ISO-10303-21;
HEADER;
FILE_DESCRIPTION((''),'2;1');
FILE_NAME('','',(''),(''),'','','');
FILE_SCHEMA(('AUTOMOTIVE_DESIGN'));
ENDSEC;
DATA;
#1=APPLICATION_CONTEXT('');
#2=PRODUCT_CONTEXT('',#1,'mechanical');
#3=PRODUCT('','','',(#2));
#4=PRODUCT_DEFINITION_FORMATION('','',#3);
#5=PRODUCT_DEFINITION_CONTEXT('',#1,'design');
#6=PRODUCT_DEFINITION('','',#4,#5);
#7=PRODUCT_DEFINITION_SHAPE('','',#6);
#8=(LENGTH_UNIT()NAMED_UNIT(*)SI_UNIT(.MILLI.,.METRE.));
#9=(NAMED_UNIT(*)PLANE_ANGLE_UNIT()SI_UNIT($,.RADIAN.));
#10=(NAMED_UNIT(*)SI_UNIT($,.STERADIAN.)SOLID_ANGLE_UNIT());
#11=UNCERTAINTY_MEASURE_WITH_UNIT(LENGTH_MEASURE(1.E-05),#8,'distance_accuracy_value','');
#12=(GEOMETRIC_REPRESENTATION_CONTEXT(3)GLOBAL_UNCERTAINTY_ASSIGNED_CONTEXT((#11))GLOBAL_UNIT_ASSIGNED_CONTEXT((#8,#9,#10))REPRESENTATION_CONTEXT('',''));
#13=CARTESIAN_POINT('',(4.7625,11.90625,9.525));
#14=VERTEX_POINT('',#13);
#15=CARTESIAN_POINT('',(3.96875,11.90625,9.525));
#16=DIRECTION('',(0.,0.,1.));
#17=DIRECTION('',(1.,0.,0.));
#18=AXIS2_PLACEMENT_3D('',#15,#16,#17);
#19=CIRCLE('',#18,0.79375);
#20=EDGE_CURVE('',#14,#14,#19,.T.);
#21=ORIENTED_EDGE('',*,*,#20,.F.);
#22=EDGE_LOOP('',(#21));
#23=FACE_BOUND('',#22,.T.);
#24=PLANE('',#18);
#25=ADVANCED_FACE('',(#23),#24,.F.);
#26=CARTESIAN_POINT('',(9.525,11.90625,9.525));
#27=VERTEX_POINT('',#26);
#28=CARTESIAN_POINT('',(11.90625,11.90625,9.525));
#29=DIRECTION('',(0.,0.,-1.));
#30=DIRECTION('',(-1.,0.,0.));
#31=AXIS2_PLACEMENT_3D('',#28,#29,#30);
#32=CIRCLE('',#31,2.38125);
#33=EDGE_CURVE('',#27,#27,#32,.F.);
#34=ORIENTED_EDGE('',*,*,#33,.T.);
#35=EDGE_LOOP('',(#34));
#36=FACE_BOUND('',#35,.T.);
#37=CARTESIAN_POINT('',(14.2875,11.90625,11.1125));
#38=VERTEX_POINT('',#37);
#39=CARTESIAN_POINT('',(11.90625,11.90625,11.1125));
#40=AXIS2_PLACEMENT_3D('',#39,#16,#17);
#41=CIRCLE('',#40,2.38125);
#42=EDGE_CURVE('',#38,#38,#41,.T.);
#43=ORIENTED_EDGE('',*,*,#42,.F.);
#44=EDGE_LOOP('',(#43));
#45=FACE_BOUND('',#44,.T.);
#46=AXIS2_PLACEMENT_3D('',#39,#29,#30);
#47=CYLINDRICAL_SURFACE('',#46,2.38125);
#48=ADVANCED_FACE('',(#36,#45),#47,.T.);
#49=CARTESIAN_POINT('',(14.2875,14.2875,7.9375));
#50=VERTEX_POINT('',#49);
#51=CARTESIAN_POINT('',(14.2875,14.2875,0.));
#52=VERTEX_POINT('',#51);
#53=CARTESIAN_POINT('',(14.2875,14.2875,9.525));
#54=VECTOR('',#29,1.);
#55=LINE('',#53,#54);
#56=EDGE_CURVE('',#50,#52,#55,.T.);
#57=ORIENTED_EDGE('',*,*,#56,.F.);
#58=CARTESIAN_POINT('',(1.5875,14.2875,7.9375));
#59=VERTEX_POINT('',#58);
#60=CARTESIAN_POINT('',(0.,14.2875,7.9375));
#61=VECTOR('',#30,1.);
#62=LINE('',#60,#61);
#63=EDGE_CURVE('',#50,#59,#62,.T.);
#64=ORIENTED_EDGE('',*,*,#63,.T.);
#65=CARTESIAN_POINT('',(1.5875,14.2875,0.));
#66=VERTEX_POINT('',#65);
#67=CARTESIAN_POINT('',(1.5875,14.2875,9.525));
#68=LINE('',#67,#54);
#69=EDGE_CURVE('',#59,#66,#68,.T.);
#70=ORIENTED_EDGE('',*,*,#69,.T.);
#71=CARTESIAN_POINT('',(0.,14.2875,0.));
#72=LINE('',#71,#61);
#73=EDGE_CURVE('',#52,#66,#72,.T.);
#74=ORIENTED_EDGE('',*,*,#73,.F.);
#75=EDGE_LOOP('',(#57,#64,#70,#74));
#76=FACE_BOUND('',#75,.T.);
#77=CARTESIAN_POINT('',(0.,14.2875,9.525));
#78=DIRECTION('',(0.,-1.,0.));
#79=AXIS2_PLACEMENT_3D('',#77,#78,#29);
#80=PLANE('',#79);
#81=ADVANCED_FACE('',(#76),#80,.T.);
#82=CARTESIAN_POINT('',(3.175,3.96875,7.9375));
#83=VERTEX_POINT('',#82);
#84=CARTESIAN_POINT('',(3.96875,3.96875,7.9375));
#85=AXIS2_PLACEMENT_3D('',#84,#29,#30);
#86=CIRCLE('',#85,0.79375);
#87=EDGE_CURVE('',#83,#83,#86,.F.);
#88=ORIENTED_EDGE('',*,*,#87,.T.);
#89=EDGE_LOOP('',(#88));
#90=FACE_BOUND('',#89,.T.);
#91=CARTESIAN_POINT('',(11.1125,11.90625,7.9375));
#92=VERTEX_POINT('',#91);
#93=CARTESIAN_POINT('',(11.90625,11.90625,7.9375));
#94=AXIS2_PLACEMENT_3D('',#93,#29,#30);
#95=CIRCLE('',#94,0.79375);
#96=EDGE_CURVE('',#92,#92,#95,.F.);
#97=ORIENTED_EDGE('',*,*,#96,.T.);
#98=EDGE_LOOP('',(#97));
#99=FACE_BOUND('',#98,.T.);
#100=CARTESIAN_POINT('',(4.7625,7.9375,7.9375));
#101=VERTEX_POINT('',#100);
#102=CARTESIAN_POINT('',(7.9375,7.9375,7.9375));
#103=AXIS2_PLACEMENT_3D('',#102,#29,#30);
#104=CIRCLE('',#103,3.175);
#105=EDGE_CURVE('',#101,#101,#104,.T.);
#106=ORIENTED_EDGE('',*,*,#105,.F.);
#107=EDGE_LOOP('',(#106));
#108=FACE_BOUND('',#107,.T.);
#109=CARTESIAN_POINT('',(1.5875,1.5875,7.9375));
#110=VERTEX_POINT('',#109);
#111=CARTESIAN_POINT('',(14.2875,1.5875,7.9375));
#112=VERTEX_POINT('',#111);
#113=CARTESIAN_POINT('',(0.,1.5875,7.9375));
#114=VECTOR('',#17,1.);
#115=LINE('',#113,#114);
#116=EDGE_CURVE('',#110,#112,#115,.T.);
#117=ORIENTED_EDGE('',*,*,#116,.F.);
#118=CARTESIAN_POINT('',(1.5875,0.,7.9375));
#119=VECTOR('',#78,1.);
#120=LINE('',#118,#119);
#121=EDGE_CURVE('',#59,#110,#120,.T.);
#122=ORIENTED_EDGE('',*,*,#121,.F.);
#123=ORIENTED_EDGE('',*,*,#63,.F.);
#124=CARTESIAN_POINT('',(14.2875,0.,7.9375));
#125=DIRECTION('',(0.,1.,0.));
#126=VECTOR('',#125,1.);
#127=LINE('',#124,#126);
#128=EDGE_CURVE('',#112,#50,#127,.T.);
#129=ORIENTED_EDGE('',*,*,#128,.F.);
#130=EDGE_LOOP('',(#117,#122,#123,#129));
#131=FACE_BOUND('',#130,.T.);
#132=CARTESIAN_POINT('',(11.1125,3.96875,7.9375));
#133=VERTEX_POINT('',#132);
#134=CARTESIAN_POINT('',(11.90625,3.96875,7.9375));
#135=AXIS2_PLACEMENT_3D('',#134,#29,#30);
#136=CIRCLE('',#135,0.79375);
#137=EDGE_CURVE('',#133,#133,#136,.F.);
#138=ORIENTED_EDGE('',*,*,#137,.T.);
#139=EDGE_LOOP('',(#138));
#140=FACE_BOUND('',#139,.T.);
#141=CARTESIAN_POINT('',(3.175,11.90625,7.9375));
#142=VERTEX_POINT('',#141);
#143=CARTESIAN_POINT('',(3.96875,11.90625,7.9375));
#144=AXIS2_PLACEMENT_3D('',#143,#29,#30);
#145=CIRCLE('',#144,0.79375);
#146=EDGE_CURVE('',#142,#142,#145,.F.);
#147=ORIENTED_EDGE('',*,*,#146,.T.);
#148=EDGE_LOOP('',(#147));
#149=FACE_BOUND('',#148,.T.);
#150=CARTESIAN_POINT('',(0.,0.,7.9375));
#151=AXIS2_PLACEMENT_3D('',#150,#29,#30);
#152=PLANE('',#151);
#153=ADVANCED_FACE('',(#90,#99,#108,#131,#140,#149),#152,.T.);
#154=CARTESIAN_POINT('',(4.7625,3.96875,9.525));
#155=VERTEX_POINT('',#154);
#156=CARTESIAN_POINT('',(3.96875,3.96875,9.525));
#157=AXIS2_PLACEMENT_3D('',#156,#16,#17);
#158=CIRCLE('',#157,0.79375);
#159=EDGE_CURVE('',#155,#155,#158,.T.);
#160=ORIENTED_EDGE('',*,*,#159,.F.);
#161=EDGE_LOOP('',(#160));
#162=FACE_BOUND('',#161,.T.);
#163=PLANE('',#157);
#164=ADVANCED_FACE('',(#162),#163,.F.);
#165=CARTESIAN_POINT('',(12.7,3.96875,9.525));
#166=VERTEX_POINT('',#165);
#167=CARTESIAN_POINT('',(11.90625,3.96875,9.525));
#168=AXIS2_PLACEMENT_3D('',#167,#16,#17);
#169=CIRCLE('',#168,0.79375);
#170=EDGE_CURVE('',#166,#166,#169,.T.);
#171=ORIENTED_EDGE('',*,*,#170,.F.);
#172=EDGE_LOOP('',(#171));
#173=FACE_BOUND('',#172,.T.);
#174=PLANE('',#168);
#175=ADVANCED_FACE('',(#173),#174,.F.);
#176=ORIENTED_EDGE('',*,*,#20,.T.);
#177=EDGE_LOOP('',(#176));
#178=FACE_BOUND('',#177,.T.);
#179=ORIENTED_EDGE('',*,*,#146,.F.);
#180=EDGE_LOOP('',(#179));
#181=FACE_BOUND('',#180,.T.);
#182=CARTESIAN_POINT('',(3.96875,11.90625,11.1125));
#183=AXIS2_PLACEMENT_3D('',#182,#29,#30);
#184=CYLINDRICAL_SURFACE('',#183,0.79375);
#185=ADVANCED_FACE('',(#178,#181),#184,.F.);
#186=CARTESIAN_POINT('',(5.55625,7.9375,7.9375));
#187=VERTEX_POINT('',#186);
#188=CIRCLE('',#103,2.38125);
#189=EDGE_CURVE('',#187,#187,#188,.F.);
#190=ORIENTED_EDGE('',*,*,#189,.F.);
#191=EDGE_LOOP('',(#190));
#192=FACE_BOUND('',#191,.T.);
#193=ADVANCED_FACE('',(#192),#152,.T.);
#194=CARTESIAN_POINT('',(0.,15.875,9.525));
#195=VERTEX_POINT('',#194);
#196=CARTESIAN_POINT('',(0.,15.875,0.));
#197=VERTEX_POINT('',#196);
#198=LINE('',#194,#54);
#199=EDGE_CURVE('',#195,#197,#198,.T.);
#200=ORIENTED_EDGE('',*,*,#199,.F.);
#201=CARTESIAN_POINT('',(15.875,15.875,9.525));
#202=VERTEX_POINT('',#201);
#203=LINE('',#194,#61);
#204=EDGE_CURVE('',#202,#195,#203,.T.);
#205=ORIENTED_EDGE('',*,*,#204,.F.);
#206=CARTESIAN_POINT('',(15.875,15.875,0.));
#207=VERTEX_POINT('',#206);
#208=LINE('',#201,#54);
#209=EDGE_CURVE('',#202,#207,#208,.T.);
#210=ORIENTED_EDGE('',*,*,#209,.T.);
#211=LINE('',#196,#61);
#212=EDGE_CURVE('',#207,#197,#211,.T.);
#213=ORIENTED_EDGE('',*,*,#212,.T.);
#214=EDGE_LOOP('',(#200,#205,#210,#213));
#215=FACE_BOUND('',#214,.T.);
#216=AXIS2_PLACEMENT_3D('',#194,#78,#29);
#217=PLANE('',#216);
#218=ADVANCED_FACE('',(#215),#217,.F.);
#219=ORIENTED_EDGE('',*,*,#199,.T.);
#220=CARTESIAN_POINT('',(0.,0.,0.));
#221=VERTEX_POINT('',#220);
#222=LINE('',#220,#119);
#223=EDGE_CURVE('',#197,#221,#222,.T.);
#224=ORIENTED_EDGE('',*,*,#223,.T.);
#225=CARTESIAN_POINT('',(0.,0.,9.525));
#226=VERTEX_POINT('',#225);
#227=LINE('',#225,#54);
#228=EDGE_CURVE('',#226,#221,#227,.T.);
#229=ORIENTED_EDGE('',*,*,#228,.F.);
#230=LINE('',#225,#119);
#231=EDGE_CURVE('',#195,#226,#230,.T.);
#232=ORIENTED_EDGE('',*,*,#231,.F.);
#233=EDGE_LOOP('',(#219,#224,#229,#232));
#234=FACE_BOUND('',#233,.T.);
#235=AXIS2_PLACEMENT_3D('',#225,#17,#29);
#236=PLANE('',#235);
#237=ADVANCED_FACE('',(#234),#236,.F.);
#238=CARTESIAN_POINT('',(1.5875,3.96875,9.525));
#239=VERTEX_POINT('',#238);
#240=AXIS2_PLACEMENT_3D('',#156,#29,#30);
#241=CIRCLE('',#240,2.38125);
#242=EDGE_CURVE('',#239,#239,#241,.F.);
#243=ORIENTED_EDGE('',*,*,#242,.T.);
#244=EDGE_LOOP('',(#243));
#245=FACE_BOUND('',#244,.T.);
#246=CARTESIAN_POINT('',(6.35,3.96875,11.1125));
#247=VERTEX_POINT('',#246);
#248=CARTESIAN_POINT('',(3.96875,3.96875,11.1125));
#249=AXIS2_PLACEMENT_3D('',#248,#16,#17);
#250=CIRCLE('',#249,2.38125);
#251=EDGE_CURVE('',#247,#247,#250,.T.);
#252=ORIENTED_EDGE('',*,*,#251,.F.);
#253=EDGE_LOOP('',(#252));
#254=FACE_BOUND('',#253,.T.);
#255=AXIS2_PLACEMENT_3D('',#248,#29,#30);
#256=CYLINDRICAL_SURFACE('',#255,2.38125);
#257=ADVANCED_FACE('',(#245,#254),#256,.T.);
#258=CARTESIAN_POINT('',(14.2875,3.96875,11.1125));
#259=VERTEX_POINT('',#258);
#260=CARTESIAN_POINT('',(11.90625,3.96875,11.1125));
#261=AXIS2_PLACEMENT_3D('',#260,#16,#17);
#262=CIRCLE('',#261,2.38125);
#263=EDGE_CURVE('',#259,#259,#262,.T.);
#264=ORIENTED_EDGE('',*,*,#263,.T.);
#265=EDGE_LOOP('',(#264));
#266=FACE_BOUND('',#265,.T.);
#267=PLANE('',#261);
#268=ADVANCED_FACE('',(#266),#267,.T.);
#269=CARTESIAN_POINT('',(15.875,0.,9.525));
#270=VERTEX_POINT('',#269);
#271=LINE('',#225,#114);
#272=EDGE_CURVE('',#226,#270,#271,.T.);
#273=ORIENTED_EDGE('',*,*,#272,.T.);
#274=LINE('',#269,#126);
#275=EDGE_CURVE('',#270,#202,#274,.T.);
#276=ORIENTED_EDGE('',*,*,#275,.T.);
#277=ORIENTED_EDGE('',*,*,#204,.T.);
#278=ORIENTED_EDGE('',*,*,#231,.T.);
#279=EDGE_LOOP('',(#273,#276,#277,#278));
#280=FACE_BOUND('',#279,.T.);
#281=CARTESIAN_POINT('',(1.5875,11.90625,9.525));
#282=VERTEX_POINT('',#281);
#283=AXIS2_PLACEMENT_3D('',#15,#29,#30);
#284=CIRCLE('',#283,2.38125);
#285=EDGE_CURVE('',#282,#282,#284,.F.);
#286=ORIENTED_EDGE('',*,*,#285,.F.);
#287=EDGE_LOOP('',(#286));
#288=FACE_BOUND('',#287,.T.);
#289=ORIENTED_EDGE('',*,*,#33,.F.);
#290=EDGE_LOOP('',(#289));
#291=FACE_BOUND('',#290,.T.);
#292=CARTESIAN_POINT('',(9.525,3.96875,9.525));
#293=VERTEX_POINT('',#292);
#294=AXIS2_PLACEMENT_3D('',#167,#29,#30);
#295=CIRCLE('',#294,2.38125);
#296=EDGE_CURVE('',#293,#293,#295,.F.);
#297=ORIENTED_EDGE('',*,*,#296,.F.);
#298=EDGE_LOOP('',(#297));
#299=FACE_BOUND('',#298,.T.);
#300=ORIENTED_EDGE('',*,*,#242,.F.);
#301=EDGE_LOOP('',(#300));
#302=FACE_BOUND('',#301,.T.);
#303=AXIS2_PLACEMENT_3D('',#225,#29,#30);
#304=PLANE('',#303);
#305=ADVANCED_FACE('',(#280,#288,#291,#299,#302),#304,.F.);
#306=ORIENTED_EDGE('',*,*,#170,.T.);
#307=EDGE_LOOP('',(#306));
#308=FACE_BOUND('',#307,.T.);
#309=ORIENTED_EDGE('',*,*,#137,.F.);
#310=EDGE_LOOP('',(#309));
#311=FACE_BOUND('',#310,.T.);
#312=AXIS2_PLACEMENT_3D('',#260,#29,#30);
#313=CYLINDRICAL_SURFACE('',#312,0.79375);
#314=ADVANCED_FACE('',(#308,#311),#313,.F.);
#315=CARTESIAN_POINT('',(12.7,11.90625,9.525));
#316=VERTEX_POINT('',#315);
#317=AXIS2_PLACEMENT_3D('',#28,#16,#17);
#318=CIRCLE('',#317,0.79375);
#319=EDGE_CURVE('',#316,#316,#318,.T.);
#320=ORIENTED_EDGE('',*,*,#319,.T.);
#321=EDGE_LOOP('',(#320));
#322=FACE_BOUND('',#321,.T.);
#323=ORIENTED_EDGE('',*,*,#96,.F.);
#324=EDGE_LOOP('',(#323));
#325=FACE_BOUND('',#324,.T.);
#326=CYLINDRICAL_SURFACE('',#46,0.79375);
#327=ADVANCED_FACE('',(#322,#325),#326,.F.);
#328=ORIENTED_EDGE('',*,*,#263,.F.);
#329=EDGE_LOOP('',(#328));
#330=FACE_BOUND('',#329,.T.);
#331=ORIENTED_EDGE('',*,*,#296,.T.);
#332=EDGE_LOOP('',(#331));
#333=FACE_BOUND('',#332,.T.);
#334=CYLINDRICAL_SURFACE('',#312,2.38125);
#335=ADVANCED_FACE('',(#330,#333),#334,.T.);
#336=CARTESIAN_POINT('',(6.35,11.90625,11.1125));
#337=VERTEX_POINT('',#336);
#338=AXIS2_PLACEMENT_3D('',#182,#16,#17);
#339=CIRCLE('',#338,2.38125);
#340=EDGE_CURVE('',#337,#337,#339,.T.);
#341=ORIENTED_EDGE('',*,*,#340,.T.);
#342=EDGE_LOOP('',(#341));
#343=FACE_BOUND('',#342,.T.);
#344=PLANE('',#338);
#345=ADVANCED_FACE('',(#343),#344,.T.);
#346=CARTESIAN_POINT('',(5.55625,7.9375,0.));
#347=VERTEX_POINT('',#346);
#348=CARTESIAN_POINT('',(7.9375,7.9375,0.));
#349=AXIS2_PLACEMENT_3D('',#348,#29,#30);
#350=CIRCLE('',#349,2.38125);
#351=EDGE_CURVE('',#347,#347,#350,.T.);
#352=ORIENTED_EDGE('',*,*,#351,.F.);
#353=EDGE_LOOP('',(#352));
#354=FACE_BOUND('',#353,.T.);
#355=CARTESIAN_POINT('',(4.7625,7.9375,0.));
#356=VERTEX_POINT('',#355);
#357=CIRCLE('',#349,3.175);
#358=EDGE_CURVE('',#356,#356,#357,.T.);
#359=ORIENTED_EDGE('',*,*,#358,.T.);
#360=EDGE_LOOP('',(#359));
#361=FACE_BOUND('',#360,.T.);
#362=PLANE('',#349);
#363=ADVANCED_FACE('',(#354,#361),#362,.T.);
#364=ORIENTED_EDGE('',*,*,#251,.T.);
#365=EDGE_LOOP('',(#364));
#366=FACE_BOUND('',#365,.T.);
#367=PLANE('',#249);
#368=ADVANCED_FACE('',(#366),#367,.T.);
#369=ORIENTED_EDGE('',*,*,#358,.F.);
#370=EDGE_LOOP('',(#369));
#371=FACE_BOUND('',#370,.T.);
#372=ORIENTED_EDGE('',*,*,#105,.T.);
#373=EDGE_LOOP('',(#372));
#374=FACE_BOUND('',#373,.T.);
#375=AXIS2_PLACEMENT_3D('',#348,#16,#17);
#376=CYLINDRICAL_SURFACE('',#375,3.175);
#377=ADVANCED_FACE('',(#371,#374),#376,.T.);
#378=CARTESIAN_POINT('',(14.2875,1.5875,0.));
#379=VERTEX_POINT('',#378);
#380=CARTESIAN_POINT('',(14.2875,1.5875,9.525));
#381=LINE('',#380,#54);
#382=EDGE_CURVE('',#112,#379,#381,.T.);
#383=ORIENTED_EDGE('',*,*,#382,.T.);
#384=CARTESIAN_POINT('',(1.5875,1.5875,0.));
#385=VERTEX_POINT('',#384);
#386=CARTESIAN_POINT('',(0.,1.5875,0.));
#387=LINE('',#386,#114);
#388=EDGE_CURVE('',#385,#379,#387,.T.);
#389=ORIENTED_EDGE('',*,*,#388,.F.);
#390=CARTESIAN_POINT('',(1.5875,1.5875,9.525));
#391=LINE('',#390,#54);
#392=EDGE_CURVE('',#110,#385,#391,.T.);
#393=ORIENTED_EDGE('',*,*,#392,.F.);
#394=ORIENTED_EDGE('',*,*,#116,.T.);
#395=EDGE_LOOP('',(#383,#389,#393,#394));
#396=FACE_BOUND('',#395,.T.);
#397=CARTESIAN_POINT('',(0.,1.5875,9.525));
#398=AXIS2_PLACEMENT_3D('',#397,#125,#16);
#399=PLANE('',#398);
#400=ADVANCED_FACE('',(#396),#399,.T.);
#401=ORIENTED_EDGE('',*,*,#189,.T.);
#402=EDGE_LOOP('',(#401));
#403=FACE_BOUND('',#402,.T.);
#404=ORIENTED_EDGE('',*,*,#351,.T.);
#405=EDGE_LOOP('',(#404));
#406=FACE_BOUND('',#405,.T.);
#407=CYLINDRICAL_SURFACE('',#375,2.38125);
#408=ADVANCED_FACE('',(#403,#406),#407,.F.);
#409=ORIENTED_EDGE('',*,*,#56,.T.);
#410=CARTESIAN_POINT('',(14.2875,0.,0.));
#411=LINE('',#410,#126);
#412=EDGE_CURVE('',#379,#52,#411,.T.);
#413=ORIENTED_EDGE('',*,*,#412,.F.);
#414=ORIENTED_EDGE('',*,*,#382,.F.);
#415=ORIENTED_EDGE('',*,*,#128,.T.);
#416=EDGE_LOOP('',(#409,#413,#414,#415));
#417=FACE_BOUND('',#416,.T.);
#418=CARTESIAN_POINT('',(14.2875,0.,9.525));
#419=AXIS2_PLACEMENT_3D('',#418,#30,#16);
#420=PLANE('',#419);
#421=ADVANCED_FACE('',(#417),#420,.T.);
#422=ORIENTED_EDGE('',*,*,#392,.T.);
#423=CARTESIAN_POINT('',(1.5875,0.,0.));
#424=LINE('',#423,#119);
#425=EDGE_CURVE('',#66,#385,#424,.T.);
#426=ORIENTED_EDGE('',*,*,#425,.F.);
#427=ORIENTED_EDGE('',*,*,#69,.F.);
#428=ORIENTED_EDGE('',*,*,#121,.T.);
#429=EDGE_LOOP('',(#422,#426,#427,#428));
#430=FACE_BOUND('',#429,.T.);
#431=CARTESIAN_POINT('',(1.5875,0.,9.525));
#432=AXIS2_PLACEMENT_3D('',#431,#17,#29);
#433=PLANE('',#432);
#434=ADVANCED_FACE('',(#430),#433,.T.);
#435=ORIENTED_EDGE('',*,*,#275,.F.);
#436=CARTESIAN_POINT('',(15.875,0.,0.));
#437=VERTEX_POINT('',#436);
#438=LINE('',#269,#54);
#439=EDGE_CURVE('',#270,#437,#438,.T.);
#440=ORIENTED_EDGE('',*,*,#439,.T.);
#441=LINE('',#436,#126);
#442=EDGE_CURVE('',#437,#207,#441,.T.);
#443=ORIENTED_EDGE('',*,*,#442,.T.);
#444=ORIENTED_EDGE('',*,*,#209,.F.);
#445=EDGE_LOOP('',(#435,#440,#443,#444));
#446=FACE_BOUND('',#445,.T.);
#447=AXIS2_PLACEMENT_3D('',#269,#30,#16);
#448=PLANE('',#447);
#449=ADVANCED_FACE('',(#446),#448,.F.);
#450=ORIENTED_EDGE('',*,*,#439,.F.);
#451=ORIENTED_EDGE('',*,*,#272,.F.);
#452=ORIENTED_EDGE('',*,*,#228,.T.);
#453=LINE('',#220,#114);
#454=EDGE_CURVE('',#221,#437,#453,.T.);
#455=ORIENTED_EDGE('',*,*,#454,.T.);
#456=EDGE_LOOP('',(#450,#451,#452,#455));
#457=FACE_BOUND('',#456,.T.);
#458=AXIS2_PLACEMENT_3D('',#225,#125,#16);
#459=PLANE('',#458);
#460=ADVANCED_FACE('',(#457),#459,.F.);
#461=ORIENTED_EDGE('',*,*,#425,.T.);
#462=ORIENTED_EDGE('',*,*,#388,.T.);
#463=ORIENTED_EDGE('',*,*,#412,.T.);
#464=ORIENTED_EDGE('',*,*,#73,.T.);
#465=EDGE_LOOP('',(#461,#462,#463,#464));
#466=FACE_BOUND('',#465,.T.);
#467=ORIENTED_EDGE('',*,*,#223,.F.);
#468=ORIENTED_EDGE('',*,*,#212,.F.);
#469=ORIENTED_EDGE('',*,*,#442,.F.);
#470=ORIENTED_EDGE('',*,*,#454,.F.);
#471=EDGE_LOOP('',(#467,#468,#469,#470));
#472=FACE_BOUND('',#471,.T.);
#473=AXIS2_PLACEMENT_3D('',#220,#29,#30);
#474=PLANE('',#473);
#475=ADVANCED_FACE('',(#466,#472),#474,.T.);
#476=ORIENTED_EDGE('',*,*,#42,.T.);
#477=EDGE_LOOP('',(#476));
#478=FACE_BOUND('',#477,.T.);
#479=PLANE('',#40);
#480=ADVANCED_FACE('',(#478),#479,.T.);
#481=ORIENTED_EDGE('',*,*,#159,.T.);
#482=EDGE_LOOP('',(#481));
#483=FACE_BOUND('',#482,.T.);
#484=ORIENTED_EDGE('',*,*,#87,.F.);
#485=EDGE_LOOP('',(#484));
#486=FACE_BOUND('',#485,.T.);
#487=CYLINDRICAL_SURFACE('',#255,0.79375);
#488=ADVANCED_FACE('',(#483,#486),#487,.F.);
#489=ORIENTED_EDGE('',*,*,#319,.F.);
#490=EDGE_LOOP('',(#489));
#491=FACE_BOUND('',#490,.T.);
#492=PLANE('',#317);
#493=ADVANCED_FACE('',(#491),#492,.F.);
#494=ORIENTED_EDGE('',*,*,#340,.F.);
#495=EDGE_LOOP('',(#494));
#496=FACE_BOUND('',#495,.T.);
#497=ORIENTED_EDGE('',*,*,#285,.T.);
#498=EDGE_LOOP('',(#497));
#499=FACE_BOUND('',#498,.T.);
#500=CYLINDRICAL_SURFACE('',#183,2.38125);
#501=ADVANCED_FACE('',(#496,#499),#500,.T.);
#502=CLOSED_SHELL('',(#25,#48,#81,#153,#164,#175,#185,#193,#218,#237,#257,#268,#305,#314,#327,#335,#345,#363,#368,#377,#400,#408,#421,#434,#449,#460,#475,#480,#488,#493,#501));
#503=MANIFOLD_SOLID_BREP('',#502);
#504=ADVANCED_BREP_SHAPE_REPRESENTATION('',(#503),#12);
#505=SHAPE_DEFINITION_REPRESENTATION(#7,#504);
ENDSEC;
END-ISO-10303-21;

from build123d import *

# Parameters (mm, degrees)
SKETCH1_W            = 15.875
SKETCH1_H            = 15.875
BOSS_EXTRUDE1_DEPTH  = 9.525
SKETCH2_R            = 2.38125
BOSS_EXTRUDE2_DEPTH  = 1.5875
LPATTERN1_COUNT      = 2
LPATTERN1_PITCH      = 7.9375
LPATTERN1_COUNT_DIR2 = 2
LPATTERN1_PITCH_DIR2 = 7.9375
SHELL1_T             = -1.5875
SKETCH3_R            = 3.175
SKETCH3_R_2          = 2.38125
BOSS_EXTRUDE9_DEPTH  = 7.9375


with BuildPart() as part:
    # Sketch1 → Boss-Extrude1 (new body)
    with BuildSketch(Plane.XY):
        with Locations((7.9375, 7.9375)):
            Rectangle(SKETCH1_W, SKETCH1_H)
    extrude(amount=BOSS_EXTRUDE1_DEPTH)

    # Sketch2 → Boss-Extrude2 (add)
    with BuildSketch(Plane.XY.offset(9.525)):
        with Locations((3.96875, 11.90625)):
            Circle(SKETCH2_R)
    boss_extrude2 = extrude(amount=BOSS_EXTRUDE2_DEPTH)

    # LPattern1: Boss-Extrude2 2 × 2
    with Locations(*[(j * LPATTERN1_PITCH_DIR2, -i * LPATTERN1_PITCH, 0) for i in range(LPATTERN1_COUNT) for j in range(LPATTERN1_COUNT_DIR2) if (i, j) != (0, 0)]):
        add(boss_extrude2)

    # Shell1
    shell1_openings = [part.faces().sort_by_distance(p)[0] for p in [
        (7.9375, 7.9375, 0),
    ]]
    offset(amount=SHELL1_T, openings=shell1_openings, kind=Kind.INTERSECTION)

    # Sketch3 → Boss-Extrude9 (add)
    with BuildSketch(Plane(origin=(0, 0, 7.9375), x_dir=(-1, 0, 0), z_dir=(0, 0, -1))):
        with Locations((-7.9375, 7.9375)):
            Circle(SKETCH3_R)
        with Locations((-7.9375, 7.9375)):
            Circle(SKETCH3_R_2, mode=Mode.SUBTRACT)
    extrude(amount=BOSS_EXTRUDE9_DEPTH)


solid = part.part
